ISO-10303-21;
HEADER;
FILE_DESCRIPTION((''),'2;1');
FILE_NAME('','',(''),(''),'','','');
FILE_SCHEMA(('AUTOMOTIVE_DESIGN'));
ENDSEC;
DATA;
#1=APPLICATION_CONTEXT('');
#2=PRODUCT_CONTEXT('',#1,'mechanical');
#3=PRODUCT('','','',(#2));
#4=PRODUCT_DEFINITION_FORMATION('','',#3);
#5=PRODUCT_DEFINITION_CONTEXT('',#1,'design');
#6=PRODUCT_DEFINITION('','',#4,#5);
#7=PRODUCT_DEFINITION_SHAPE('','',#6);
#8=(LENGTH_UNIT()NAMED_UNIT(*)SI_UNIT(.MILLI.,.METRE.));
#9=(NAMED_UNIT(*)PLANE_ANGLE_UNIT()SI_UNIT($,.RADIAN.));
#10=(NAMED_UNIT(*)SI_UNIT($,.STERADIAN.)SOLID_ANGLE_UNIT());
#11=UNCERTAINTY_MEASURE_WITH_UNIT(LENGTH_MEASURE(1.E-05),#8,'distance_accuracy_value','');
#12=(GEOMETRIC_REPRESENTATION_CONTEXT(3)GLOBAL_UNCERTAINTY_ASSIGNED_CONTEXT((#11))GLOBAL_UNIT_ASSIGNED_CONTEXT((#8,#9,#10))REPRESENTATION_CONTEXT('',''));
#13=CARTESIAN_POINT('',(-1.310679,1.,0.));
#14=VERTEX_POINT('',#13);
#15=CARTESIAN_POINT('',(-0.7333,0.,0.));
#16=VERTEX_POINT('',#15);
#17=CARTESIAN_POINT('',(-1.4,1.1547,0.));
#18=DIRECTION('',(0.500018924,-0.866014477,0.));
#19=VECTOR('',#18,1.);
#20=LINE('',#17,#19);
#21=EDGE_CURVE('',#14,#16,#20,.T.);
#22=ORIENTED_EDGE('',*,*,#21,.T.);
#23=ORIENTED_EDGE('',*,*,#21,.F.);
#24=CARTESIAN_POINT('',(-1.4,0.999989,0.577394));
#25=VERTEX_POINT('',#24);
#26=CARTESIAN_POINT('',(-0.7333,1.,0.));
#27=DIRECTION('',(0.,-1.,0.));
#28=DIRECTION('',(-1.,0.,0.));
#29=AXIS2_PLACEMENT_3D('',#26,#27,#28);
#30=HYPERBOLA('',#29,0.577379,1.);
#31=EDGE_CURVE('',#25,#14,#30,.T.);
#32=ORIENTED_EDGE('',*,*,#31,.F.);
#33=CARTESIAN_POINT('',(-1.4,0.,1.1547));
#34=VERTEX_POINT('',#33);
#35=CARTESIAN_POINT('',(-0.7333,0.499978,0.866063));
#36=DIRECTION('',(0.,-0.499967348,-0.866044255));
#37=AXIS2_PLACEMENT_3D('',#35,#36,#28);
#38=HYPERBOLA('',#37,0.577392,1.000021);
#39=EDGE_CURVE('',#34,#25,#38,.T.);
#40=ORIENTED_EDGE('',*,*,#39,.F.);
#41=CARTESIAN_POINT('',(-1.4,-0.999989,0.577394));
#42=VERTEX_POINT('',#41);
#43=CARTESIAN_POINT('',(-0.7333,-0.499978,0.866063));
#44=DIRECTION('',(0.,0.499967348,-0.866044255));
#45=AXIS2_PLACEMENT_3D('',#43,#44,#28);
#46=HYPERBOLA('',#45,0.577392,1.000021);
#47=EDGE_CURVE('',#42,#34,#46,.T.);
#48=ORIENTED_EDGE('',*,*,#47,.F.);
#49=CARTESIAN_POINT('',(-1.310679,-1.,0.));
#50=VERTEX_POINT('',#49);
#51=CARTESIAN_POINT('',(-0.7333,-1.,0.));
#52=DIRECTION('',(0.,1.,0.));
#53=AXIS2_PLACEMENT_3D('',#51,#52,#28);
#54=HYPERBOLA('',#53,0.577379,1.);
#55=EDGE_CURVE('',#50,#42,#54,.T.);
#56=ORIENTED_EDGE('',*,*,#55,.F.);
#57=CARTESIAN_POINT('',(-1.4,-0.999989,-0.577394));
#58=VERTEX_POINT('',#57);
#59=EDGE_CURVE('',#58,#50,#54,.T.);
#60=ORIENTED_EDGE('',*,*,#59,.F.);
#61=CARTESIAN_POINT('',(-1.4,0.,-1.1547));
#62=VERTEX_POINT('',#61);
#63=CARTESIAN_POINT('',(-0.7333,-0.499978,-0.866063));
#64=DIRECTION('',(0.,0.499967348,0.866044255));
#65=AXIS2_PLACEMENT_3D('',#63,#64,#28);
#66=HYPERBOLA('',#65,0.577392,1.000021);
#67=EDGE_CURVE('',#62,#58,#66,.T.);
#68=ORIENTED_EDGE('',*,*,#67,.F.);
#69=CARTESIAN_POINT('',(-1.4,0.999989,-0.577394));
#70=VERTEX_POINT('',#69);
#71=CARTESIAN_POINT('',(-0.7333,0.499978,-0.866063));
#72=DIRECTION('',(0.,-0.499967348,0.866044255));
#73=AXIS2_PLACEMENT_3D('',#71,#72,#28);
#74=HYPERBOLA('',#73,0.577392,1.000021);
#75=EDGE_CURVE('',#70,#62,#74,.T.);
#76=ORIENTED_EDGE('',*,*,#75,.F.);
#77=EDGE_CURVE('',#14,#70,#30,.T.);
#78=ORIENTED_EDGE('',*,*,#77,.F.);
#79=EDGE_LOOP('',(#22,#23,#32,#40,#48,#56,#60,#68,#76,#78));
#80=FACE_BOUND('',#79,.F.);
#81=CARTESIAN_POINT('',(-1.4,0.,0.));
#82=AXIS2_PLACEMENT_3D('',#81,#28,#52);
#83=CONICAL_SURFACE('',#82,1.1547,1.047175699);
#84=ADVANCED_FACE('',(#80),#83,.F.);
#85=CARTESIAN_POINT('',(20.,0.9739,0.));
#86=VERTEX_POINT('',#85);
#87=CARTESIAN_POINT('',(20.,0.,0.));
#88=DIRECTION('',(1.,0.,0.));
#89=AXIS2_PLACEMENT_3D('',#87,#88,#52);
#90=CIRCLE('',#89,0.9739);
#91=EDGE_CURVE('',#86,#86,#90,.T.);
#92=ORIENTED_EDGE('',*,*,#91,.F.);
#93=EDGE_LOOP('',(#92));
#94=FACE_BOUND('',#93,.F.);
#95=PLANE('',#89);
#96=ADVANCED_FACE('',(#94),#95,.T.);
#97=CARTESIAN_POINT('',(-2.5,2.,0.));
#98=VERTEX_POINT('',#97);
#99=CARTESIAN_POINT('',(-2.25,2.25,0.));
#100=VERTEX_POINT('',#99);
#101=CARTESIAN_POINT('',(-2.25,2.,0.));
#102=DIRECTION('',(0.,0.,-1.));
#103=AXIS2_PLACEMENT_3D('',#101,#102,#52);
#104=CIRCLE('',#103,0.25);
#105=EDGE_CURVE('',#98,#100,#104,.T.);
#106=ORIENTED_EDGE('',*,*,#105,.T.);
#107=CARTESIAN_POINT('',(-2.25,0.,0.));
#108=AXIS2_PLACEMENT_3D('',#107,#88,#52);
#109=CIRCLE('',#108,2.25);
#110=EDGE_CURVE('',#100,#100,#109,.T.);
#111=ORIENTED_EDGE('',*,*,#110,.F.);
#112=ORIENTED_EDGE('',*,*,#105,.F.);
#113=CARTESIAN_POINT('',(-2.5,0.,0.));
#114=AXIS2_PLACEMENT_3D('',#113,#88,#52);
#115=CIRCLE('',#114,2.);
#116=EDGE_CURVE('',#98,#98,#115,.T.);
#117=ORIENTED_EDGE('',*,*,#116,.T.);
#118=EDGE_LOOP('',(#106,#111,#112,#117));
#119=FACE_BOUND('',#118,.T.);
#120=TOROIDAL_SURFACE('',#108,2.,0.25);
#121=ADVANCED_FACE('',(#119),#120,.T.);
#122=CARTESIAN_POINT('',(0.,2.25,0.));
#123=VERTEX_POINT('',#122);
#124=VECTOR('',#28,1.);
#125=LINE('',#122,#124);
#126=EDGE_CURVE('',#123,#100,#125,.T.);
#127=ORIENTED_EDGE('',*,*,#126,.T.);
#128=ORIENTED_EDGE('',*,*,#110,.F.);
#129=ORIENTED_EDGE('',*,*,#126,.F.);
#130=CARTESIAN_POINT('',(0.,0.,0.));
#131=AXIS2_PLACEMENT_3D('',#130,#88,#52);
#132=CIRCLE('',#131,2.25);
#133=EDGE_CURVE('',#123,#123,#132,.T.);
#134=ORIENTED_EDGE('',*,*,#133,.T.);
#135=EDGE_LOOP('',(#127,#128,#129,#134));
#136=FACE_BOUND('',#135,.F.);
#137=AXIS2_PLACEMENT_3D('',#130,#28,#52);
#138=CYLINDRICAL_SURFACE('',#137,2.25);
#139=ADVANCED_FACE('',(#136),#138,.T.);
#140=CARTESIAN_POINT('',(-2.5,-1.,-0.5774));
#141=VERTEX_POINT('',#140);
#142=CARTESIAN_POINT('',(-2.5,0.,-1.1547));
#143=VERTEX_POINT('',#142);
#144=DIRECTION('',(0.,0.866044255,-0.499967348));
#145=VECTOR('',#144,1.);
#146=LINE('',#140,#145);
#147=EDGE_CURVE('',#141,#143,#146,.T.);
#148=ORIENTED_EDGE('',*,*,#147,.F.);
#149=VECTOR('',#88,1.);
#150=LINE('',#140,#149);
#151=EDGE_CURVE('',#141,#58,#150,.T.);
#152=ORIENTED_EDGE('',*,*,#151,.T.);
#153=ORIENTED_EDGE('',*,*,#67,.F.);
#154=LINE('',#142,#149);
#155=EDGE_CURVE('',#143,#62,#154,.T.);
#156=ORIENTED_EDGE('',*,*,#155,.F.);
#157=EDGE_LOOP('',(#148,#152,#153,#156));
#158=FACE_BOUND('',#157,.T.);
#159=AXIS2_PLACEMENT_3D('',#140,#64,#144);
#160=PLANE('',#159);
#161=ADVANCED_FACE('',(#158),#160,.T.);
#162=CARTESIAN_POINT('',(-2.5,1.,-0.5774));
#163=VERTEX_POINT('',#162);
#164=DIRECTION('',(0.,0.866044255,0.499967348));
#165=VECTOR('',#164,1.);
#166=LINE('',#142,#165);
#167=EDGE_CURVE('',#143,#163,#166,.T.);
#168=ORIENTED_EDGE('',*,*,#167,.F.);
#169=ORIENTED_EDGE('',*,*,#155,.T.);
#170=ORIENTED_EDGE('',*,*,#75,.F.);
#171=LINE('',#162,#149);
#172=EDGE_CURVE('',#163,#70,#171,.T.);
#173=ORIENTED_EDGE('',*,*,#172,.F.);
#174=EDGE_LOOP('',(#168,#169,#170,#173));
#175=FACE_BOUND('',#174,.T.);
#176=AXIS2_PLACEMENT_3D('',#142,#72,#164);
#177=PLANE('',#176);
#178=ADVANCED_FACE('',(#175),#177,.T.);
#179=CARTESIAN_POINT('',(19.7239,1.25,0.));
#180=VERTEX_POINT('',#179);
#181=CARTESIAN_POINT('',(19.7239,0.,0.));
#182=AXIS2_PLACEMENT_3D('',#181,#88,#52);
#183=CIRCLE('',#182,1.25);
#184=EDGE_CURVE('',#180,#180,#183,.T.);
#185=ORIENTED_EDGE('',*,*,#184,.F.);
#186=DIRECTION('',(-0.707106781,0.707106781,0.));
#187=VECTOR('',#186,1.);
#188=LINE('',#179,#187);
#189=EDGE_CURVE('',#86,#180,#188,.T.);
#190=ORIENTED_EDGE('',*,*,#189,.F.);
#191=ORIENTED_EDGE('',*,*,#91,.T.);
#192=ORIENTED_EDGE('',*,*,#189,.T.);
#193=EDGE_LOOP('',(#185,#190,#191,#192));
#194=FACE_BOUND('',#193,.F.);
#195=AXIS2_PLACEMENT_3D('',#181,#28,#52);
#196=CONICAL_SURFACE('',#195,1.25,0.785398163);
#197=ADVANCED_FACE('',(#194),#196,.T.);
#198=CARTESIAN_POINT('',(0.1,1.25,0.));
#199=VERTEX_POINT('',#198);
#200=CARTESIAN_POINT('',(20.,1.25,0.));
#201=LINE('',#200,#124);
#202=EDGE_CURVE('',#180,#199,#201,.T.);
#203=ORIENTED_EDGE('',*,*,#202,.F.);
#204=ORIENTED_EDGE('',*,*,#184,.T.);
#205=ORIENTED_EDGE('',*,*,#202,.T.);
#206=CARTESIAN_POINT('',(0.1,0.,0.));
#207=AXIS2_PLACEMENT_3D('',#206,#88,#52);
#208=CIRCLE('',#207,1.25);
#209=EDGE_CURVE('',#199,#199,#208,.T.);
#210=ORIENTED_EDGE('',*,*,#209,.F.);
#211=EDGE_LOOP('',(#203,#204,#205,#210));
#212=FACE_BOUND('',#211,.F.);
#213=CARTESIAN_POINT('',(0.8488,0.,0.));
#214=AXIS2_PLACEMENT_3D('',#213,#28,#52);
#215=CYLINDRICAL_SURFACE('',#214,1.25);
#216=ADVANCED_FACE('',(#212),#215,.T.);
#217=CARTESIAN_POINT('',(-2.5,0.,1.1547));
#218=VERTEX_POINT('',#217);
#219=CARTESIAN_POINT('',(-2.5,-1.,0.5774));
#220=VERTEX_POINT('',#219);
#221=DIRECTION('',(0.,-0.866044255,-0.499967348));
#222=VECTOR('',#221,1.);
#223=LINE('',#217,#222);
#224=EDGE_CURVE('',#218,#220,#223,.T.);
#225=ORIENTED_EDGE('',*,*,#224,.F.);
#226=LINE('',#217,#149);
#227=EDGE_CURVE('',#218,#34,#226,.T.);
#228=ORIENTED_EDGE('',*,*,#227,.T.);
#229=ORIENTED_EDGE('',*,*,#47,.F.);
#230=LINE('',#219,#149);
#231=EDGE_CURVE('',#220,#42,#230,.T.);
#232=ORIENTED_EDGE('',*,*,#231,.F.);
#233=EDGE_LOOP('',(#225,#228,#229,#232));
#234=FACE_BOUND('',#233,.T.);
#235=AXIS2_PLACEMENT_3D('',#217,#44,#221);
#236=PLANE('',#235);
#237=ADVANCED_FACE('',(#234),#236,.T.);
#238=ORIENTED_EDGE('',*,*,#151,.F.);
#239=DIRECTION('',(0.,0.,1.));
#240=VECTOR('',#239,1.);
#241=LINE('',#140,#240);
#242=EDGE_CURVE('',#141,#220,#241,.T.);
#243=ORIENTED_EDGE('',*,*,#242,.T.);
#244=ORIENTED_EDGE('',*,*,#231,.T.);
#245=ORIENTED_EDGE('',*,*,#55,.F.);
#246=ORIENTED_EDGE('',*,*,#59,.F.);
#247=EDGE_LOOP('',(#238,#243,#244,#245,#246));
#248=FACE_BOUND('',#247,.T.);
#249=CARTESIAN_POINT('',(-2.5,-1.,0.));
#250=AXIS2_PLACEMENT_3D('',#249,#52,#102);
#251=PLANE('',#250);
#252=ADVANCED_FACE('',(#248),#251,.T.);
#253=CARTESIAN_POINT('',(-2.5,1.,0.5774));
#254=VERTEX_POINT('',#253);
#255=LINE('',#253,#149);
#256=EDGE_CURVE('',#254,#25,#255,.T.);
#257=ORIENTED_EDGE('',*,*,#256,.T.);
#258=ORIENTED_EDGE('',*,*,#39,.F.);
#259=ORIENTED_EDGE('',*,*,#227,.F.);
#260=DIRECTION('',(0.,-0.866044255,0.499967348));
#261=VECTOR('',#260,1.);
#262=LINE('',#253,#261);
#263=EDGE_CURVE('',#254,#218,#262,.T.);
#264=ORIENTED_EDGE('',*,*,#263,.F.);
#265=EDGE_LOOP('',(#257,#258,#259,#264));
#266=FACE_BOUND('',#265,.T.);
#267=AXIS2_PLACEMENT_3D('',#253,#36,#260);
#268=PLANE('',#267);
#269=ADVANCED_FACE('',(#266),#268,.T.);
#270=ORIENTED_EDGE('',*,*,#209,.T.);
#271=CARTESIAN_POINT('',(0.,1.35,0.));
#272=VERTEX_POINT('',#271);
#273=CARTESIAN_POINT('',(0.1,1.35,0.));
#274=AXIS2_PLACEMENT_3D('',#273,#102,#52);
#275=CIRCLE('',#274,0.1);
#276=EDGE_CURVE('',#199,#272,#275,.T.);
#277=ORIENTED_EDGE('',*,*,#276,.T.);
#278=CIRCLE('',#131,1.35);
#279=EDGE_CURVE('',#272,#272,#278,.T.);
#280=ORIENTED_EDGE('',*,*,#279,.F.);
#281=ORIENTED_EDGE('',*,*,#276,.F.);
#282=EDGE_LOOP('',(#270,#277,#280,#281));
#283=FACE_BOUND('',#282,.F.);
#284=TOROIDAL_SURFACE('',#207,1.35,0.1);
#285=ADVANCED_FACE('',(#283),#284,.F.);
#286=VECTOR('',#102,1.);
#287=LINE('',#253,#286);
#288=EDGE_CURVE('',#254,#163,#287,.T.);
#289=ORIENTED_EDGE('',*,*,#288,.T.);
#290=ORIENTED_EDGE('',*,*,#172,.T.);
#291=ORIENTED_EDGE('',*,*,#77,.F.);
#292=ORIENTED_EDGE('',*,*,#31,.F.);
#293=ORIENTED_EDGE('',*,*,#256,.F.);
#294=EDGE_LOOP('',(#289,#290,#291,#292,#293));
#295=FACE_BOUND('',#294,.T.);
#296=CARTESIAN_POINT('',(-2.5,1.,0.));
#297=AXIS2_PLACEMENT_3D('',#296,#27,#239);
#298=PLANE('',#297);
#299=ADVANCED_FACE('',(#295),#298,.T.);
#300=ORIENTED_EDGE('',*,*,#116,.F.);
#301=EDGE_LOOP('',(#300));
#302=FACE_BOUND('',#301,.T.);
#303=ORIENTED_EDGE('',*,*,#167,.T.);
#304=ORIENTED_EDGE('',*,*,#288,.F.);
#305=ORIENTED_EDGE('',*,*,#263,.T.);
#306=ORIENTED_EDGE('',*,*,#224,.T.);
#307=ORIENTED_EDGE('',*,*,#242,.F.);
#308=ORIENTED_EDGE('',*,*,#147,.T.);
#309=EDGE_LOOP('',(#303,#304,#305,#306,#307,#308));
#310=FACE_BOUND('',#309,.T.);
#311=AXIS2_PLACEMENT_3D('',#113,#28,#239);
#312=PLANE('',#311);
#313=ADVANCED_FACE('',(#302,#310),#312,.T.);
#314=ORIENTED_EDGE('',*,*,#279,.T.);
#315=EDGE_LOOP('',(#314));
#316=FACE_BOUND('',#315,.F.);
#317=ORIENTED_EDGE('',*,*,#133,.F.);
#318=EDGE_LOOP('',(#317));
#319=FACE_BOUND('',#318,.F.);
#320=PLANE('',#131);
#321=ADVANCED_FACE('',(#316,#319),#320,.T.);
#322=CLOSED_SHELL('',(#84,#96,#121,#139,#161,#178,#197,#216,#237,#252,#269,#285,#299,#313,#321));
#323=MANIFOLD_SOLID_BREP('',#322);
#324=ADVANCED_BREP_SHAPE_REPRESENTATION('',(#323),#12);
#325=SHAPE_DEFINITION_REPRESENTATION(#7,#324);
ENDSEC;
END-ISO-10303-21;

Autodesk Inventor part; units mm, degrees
ref_plane "YZ Plane" through (0, 0, 0) normal (1, 0, 0) x (0, 1, 0)
ref_plane "XZ Plane" through (0, 0, 0) normal (0, 1, 0) x (-1, 0, 0)
sketch "Szkic1" plane through (0, 0, 0) normal (0, 0, 1) x (1, 0, 0)
  line L0 (-0.7333, 0) -> (20, 0)
  line L1 (20, 0) -> (20, 1.25)
  line L2 (20, 1.25) -> (1.125, 1.25)
  line L3 (1.125, 1.25) -> (0.8488, 1.25)
  line L4 (0.8488, 1.25) -> (0, 1.25)
  line L5 (0, 1.25) -> (0, 2.25)
  line L6 (0, 2.25) -> (-2.5, 2.25)
  line L7 (-2.5, 2.25) -> (-2.5, 1.1547)
  line L8 (-2.5, 1.1547) -> (-1.4, 1.1547)
  line L9 (-1.4, 1.1547) -> (-0.7333, 0)
  line L10 (-7, 0) -> (24.5, 0) projected
  line L11 (0, -0.45) -> (0, 2.7) projected
  line L12 (1.125, 1.25) -> (0, 1.25) construction
  dimension "d1" = 18.875
  dimension "d2" = 0.2762
  dimension "d3" = 2.5
  dimension "d4" = 1.1
  dimension "d5" = 60
  dimension "d6" = 2.5
  dimension "d7" = 2.5
  dimension "d8" = 2.3094
  dimension "d9" = 4.5
  dimension "d26" = 20
revolve "Bryła" add sketch "Szkic1" angle 360 about axis through (-0.7333, 0, 0) along (1, 0, 0)
sketch "Szkic2" plane through (-2.5, 0, 0) normal (-1, 0, 0) x (0, 0, 1)
  circle A0 centre (0, 0) radius 1.1547 projected
  line L0 (0, -3.15) -> (0, 3.15) projected
  line L1 (-3.15, 0) -> (3.15, 0) projected
  line L2 (1.1547, 0) -> (0.5774, -1)
  line L3 (0.5774, -1) -> (-0.5774, -1)
  line L4 (-0.5774, -1) -> (-1.1547, 0)
  line L5 (-1.1547, 0) -> (-0.5774, 1)
  line L6 (-0.5774, 1) -> (0.5774, 1)
  line L7 (0.5774, 1) -> (1.1547, 0)
extrude "Szczelina" add sketch "Szkic2" against normal up to next contours L7 A0 | A0 L2 | L6 L0 A0 | A0 L0 L3 | L0 L6 A0 | A0 L3 L0 | L4 A0 | A0 L5
fillet "Zaokrąglenie1" radius 0.25 1 edges at (-2.5, -2.25, 0)
thread "Gwint" size "M2.5x0.45" class "6g" standard "ISO Metric profile" length 18.875
chamfer "Faza1" distance 0.2761 distance2 0.2761 1 edges at (20, -1.25, 0) measured on face at (20, -0.2763, -0.017)
ref_plane "Work Plane1" through (29, 0, 0) normal (0, -1, 0) x (1, 0, 0)
fillet "Fillet2" radius 0.1 1 edges at (0, -1.25, 0)
equation "\"d1\" = GEL"
equation "\"d3\" = KOH"
equation "\"d4\" = INTI"
equation "\"d6\" = GD"
equation "\"d7\" = BDM"
equation "\"d8\" = 1.1547 * SW"
equation "\"d9\" = KOD"
equation "\"d26\" = NLG"
equation "\"d30\" = R"
equation "\"d17\" = RR"
equation "\"d13\" = GEL"
equation "\"d15\" = -0.5 * SPD + 0.5 * GD"
equation "\"d16\" = GUL"
equation "\"GD\" = NND"
equation "\"NLG\" = 20"
equation "\"GEL\" = 18.875"
equation "\"KOD\" = 4.5"
equation "\"KOH\" = 2.5"
equation "\"INTI\" = 1.1"
equation "\"GAL\" = 0.61345 * PTC"
equation "\"GUL\" = 0.61345 * PTC"
equation "\"BDM\" = NND"
equation "\"SW\" = 2"
equation "\"RR\" = 0.25"
equation "\"SPD\" = NND - 1.2269 * PTC"
equation "\"R\" = 0.1"
equation "\"TOA\" = 30deg"
equation "\"GD1\" = THREADDIA - 1.2269 * PTC"
equation "\"THREADDIA\" = 2.5"
equation "\"FAWI\" = 45deg"
equation "\"ANG\" = 120deg"
equation "\"PTC\" = 0.45"
equation "\"NND\" = 2.5"
equation "\"E0\" = 1.155 * SW"
properties part number "DIN 912 - M2,5 x 20" material "Stal, miękka"
